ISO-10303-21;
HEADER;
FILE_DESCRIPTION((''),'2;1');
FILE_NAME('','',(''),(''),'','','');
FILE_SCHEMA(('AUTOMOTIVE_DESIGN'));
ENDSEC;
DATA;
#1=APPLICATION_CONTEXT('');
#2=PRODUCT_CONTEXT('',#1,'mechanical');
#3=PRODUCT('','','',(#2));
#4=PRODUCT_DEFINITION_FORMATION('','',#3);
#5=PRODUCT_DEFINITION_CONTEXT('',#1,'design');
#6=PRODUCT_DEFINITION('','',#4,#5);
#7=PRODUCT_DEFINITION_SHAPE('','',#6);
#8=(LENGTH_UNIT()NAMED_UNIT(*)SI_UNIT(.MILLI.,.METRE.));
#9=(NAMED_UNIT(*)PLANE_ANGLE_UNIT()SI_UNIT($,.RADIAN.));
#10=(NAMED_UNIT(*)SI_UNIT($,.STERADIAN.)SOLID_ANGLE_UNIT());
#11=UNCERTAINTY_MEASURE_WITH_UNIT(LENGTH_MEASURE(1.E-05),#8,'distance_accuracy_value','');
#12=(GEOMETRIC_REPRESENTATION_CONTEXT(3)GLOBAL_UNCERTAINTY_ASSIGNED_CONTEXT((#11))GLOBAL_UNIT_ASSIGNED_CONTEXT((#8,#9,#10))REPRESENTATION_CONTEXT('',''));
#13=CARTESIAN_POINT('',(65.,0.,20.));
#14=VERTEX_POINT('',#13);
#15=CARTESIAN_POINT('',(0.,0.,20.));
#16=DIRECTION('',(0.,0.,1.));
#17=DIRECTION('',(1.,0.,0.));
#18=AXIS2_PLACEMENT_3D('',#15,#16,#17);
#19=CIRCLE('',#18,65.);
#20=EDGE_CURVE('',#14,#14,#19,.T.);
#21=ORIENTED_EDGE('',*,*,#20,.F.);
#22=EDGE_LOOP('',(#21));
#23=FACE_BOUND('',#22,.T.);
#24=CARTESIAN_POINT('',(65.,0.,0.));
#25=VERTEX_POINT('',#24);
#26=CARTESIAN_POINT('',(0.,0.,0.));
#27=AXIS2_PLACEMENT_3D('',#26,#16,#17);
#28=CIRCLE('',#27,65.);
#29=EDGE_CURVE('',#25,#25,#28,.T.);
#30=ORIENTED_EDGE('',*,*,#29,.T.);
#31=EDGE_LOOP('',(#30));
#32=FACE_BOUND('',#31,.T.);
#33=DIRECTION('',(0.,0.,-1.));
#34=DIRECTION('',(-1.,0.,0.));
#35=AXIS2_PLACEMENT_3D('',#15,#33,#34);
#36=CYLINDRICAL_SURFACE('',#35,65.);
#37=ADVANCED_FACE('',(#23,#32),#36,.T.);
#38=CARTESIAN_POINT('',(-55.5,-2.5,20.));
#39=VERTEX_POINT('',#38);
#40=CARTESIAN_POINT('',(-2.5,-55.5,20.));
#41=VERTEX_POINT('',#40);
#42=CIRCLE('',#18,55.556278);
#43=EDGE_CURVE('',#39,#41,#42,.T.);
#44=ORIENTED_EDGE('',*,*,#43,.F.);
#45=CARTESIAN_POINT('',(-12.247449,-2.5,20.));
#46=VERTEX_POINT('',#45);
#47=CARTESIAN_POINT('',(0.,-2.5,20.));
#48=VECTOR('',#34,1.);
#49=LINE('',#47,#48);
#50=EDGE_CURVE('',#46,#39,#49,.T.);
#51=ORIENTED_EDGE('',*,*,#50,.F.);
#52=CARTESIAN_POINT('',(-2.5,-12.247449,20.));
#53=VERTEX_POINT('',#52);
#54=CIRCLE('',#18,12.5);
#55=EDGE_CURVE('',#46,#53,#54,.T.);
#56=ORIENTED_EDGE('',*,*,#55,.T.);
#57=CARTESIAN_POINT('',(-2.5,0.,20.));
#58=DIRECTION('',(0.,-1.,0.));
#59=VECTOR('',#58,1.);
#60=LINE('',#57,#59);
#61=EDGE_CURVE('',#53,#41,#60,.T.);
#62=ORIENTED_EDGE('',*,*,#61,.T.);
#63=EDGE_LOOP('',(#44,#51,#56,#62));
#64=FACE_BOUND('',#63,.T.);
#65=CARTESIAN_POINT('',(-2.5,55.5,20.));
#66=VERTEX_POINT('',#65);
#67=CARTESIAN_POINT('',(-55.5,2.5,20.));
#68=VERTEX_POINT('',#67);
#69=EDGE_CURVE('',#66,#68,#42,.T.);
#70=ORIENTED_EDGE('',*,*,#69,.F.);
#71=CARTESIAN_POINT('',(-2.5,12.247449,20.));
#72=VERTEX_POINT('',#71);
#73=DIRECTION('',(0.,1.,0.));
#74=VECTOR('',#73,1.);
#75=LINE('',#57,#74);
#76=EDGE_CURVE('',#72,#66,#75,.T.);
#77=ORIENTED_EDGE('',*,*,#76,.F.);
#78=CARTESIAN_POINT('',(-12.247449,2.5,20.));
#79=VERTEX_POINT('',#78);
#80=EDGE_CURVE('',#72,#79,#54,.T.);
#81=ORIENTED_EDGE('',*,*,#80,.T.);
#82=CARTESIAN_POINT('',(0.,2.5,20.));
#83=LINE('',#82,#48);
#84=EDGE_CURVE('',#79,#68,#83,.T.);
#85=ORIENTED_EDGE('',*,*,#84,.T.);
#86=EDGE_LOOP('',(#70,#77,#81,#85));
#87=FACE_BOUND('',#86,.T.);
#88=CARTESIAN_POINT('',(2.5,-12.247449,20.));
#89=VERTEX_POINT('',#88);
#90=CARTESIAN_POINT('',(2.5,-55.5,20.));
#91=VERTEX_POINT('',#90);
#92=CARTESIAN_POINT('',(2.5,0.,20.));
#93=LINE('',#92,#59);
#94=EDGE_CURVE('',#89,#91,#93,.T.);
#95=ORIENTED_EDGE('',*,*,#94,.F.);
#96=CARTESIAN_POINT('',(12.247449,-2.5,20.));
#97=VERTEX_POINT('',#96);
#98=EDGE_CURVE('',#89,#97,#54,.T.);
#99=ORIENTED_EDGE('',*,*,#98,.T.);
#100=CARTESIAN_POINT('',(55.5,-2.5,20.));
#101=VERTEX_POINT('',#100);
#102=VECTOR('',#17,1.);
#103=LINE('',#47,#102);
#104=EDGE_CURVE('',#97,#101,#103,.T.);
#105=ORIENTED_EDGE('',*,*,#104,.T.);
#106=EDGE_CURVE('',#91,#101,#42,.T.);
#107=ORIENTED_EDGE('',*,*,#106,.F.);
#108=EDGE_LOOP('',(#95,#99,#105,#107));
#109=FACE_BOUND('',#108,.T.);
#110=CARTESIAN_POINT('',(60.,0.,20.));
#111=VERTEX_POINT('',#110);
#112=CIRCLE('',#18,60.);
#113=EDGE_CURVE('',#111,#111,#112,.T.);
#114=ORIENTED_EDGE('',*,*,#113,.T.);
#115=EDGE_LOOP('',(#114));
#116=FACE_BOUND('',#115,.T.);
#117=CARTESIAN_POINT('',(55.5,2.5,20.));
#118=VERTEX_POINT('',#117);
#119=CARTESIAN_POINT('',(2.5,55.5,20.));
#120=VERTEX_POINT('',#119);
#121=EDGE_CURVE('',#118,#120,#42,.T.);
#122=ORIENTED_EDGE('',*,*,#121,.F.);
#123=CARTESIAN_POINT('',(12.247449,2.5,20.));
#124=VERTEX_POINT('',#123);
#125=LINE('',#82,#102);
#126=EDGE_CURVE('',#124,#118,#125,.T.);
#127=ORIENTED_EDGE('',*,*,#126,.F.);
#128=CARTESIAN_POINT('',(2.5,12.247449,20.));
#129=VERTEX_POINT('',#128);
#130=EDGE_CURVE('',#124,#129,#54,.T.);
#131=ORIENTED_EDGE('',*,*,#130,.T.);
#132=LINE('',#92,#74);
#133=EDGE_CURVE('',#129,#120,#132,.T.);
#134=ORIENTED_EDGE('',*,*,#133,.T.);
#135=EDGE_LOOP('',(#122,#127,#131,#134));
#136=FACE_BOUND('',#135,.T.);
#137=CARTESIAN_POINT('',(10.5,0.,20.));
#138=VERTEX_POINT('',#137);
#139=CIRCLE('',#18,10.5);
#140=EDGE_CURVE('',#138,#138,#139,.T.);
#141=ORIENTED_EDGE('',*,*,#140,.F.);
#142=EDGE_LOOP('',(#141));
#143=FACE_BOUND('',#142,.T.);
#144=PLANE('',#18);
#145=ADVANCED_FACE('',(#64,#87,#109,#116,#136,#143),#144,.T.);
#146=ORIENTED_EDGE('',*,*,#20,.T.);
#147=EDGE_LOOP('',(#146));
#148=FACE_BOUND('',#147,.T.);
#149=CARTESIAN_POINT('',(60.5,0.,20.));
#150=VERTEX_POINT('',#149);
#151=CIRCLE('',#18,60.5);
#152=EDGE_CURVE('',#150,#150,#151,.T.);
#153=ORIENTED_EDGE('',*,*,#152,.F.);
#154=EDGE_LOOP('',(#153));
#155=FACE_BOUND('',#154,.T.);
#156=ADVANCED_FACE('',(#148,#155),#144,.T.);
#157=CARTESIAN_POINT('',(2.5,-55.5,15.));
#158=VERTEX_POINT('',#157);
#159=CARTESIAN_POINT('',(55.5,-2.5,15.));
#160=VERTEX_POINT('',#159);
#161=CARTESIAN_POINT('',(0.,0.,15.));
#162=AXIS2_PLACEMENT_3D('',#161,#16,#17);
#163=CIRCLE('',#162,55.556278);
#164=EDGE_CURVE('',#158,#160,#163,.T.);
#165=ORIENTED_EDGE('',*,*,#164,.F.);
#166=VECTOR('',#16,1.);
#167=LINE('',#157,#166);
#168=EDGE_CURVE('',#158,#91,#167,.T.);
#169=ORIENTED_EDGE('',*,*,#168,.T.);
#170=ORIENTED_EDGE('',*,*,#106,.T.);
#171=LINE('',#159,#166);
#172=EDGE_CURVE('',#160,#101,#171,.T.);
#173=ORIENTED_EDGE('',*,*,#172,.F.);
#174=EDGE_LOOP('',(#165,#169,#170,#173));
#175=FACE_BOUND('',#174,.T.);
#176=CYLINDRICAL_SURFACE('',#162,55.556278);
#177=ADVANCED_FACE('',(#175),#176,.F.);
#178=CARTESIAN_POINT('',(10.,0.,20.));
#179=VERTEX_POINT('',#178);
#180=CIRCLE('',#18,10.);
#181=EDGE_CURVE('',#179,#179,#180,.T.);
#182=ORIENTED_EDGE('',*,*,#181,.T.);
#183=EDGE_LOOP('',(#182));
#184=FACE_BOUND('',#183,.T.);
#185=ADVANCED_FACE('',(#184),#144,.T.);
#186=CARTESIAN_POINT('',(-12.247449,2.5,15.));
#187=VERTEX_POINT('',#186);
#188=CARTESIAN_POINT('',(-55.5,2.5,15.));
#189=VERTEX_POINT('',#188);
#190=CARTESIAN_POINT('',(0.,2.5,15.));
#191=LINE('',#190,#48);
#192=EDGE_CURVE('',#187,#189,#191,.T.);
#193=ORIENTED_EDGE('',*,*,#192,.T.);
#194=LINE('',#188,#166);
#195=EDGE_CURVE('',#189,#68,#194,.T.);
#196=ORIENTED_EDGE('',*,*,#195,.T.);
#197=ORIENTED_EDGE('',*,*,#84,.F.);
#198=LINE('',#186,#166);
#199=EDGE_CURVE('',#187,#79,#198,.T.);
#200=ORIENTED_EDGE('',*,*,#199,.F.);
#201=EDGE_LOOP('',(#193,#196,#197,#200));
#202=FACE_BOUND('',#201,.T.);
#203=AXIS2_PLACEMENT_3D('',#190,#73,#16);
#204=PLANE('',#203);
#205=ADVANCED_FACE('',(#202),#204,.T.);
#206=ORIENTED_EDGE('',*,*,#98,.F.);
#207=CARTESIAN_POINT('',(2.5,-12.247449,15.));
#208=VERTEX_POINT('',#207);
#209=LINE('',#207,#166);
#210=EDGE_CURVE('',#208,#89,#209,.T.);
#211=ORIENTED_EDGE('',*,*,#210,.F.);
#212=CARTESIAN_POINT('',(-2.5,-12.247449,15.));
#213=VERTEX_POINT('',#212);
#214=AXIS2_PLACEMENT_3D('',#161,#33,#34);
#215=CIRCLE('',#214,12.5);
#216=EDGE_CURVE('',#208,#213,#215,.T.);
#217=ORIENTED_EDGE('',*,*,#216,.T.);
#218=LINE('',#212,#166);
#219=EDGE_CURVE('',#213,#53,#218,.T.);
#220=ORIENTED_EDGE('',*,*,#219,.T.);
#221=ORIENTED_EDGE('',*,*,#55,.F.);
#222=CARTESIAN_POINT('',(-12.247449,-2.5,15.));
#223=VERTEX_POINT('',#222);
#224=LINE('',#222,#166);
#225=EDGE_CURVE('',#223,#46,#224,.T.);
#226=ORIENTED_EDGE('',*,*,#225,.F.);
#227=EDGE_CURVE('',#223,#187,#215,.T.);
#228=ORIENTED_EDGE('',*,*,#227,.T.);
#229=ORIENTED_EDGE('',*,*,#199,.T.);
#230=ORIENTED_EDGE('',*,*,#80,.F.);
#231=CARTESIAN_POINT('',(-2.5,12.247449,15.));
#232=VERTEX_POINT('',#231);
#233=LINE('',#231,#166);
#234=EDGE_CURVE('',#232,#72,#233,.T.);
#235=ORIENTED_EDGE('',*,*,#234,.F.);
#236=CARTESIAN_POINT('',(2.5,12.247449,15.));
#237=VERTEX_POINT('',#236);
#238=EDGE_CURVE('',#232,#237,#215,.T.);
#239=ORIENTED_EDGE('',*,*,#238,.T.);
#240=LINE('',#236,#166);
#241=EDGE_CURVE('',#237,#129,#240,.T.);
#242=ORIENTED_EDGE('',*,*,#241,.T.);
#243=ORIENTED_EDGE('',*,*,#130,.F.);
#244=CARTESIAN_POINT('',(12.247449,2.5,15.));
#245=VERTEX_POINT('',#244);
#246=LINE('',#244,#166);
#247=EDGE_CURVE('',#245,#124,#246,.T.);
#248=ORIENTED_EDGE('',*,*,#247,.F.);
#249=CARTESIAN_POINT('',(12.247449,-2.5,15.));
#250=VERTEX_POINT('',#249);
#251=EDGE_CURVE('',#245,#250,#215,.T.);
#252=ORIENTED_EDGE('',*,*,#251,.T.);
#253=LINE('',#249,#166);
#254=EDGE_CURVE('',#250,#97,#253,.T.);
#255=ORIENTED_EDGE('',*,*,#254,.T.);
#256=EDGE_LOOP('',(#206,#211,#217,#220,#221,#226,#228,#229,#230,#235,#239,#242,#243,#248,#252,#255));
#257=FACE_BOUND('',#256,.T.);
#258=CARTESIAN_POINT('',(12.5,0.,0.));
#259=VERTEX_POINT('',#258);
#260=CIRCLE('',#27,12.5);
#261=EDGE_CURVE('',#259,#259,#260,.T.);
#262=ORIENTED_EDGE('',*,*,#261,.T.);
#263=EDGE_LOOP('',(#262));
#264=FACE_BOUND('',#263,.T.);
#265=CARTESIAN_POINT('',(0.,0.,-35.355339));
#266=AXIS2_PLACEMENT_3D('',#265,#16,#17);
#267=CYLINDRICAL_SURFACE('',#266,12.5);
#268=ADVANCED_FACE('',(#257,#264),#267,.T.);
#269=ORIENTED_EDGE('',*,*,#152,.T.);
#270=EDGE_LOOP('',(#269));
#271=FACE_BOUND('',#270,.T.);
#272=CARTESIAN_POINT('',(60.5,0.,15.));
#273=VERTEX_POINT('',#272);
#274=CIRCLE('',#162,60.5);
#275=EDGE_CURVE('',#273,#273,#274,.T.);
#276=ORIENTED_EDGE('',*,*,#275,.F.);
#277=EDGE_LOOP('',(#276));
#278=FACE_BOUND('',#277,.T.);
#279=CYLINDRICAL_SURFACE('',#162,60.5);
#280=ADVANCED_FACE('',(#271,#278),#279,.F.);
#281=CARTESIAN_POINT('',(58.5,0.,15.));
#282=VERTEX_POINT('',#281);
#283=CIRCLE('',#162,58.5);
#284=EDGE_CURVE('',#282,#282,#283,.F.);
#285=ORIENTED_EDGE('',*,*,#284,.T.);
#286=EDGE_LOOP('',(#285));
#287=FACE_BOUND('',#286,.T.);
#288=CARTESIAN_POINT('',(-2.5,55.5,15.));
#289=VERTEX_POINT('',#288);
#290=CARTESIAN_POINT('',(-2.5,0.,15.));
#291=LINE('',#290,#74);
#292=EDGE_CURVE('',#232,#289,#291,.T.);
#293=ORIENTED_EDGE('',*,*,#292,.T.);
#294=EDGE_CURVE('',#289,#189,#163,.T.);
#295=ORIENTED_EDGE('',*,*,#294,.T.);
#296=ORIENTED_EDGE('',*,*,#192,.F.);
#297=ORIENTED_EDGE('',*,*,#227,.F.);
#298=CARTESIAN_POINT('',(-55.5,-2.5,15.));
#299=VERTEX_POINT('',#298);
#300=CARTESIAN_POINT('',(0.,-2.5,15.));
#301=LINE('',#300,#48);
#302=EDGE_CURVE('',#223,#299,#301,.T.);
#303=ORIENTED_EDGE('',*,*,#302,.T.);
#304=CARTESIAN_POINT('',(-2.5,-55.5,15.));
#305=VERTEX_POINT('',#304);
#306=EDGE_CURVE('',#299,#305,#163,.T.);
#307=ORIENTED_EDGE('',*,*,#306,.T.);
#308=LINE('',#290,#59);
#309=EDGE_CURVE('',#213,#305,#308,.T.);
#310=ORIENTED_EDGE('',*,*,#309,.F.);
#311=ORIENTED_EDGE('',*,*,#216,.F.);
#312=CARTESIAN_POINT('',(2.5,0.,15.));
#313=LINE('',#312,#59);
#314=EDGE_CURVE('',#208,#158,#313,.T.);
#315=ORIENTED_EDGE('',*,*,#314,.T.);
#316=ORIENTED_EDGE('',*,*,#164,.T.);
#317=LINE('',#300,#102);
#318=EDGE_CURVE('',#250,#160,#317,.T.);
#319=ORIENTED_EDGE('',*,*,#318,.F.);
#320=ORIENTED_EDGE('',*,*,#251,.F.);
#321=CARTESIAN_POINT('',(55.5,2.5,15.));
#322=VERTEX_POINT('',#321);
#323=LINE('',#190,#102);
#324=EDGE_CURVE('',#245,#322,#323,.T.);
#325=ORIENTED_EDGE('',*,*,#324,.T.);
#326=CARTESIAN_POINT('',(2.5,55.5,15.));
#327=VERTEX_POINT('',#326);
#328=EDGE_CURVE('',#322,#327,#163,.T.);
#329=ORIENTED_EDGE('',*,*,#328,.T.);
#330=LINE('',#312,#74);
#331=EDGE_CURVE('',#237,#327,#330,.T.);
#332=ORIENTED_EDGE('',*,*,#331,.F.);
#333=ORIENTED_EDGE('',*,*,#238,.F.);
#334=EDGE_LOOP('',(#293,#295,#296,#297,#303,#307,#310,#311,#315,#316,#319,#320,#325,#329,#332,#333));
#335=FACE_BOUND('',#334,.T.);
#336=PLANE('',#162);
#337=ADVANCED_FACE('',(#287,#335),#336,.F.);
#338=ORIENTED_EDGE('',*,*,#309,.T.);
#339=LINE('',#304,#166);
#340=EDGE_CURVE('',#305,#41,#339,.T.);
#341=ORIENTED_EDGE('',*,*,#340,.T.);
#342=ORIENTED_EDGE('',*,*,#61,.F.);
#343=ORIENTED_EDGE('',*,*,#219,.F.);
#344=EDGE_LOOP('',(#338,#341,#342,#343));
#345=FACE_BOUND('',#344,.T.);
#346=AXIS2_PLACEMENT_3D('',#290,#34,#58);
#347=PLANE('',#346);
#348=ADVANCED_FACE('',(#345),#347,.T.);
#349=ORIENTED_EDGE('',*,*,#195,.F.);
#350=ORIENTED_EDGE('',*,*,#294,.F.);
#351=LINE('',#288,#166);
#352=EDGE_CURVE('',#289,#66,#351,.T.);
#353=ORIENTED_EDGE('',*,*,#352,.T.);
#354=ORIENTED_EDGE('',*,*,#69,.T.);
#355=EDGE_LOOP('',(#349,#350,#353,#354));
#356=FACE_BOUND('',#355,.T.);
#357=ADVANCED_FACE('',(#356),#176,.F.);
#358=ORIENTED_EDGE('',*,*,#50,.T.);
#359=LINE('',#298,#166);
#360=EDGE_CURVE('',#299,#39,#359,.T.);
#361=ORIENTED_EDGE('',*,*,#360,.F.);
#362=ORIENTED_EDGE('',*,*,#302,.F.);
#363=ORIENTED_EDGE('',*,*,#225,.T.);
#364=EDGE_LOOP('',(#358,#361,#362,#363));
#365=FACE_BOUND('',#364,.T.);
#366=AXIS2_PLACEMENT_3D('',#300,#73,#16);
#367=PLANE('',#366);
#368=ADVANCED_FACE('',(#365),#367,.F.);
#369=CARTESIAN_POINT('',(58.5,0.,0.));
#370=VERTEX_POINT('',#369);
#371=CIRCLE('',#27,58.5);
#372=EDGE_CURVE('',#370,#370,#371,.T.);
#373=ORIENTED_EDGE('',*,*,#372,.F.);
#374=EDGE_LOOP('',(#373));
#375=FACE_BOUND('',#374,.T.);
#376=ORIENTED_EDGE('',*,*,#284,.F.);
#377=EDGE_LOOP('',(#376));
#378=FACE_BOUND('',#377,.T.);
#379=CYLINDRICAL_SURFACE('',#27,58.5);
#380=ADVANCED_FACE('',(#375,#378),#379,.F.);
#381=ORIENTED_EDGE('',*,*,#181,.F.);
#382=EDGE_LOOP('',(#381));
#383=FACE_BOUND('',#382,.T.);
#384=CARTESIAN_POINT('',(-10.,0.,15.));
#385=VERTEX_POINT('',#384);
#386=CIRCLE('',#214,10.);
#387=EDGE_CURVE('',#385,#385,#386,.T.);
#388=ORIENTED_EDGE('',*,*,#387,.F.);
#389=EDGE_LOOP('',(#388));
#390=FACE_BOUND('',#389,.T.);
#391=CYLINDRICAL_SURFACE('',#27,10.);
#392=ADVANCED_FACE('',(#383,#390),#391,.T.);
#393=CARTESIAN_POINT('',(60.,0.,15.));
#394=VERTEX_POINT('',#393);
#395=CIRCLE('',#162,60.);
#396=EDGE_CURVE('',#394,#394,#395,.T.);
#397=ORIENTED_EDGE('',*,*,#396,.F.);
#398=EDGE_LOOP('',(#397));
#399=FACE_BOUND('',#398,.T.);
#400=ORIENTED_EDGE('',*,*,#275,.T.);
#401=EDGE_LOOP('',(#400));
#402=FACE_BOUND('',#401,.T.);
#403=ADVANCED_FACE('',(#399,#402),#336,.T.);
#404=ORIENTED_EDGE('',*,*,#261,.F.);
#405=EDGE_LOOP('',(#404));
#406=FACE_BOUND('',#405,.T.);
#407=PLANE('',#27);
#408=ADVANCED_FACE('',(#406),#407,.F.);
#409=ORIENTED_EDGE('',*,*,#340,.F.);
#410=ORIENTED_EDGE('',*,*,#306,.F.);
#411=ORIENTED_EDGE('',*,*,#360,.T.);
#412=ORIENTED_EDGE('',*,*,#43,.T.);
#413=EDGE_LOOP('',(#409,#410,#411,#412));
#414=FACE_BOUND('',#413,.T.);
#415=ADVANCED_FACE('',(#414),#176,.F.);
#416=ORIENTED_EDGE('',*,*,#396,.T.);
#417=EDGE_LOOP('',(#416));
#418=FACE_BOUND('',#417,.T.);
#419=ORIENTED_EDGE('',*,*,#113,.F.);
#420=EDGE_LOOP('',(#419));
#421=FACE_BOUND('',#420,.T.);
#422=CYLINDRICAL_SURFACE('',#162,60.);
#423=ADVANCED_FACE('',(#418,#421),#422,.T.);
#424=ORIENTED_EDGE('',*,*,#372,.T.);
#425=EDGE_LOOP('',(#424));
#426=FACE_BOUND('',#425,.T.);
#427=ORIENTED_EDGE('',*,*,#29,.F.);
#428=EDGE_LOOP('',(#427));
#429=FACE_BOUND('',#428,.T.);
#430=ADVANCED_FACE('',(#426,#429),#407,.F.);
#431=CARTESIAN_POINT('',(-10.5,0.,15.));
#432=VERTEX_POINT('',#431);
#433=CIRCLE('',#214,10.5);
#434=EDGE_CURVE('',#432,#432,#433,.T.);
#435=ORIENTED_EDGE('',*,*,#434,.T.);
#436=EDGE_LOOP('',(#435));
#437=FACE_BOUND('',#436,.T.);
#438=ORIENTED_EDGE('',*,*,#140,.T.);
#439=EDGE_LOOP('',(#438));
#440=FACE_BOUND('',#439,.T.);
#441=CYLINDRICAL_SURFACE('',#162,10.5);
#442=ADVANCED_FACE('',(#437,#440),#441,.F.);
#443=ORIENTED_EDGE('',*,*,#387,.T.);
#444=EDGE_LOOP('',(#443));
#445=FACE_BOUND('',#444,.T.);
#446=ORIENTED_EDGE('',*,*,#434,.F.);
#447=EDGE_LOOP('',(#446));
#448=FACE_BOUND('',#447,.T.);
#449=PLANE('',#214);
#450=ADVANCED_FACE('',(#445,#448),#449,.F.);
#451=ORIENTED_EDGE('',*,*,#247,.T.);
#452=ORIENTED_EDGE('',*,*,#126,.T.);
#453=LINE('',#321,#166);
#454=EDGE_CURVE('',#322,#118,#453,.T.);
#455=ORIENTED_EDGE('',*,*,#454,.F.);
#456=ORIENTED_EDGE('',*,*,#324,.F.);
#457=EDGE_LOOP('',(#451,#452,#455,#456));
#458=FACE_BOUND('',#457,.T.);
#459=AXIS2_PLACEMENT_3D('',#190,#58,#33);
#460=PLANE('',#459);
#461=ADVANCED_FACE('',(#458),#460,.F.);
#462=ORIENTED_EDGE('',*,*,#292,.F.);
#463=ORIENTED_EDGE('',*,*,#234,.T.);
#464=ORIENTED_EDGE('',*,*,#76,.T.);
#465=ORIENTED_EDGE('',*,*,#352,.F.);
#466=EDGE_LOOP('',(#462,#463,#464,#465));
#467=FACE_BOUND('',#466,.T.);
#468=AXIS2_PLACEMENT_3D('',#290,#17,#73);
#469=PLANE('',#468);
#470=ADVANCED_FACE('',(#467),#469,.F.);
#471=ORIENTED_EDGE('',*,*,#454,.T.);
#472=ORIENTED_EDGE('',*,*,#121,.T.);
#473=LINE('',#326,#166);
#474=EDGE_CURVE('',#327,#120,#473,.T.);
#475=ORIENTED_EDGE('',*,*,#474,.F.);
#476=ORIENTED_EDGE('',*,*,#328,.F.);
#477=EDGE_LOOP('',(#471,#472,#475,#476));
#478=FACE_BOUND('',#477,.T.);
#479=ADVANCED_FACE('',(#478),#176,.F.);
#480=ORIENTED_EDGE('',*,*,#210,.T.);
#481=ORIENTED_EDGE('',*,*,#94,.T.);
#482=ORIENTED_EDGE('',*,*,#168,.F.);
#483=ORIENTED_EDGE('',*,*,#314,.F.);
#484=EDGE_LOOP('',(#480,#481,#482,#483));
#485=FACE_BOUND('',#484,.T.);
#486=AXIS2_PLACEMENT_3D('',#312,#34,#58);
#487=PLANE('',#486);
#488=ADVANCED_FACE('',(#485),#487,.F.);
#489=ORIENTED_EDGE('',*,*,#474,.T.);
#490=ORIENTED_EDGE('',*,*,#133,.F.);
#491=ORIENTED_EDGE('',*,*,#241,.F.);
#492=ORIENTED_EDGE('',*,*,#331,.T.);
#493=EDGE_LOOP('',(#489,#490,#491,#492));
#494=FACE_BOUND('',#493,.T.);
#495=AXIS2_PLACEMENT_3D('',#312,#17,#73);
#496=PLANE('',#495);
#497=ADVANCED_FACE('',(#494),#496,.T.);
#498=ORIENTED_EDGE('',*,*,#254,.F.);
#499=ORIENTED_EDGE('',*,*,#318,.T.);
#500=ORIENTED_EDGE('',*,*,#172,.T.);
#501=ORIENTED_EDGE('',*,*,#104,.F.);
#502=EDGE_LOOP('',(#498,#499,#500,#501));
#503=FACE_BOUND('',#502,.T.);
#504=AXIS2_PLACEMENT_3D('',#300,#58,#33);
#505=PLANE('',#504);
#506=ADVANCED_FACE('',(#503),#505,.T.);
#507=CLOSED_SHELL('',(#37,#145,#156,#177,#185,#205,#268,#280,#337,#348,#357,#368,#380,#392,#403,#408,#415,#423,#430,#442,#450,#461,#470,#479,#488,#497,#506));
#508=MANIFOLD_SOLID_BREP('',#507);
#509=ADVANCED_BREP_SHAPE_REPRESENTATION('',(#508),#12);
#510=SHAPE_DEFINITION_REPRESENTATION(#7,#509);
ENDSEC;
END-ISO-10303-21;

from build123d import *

# Parameters (mm, degrees)
SKETCH2_R           = 65
BOSS_EXTRUDE1_DEPTH = 20
SKETCH3_R           = 58.5
CUT_EXTRUDE1_DEPTH  = 20
SKETCH4_R           = 60.5
SKETCH4_R_2         = 60
CUT_EXTRUDE3_DEPTH  = 5
SKETCH5_R           = 10
BOSS_EXTRUDE2_DEPTH = 20
SKETCH6_R           = 58.5
SKETCH6_R_2         = 10.5
BOSS_EXTRUDE3_DEPTH = 5
CUT_EXTRUDE4_DEPTH  = 5
SKETCH9_R           = 12.5
SKETCH9_R_2         = 10
BOSS_EXTRUDE4_DEPTH = 15


with BuildPart() as part:
    # Sketch2 → Boss-Extrude1 (new body)
    with BuildSketch(Plane.XY):
        Circle(SKETCH2_R)
    extrude(amount=BOSS_EXTRUDE1_DEPTH)

    # Sketch3 → Cut-Extrude1 (cut)
    with BuildSketch(Plane.XY.offset(20)):
        Circle(SKETCH3_R)
    extrude(amount=-CUT_EXTRUDE1_DEPTH, mode=Mode.SUBTRACT)

    # Sketch4 → Cut-Extrude3 (cut)
    with BuildSketch(Plane.XY.offset(20)):
        Circle(SKETCH4_R)
        Circle(SKETCH4_R_2, mode=Mode.SUBTRACT)
    extrude(amount=-CUT_EXTRUDE3_DEPTH, mode=Mode.SUBTRACT)

    # Sketch6 → Boss-Extrude3 (add)
    with BuildSketch(Plane.XY.offset(20)):
        Circle(SKETCH6_R)
        Circle(SKETCH6_R_2, mode=Mode.SUBTRACT)
    extrude(amount=-BOSS_EXTRUDE3_DEPTH)

    # Sketch8 → Cut-Extrude4 (cut)
    with BuildSketch(Plane.XY.offset(20)):
        with BuildLine():
            Line((-2.5, 12.247448714), (-2.5, 55.5))
            ThreePointArc((-2.5, 55.5), (-39.284220751, 39.284220751), (-55.5, 2.5))
            Line((-55.5, 2.5), (-12.247448714, 2.5))
            ThreePointArc((-12.247448714, 2.5), (-8.838834765, 8.838834765), (-2.5, 12.247448714))
        make_face()
        with BuildLine():
            Line((2.5, -12.247448714), (2.5, -55.5))
            ThreePointArc((2.5, -55.5), (39.284220751, -39.284220751), (55.5, -2.5))
            Line((55.5, -2.5), (12.247448714, -2.5))
            ThreePointArc((12.247448714, -2.5), (8.838834765, -8.838834765), (2.5, -12.247448714))
        make_face()
        with BuildLine():
            Line((12.247448714, 2.5), (55.5, 2.5))
            ThreePointArc((55.5, 2.5), (39.284220751, 39.284220751), (2.5, 55.5))
            Line((2.5, 55.5), (2.5, 12.247448714))
            ThreePointArc((2.5, 12.247448714), (8.838834765, 8.838834765), (12.247448714, 2.5))
        make_face()
        with BuildLine():
            ThreePointArc((-12.247448714, -2.5), (-8.838834765, -8.838834765), (-2.5, -12.247448714))
            Line((-2.5, -12.247448714), (-2.5, -55.5))
            ThreePointArc((-2.5, -55.5), (-39.284220751, -39.284220751), (-55.5, -2.5))
            Line((-55.5, -2.5), (-12.247448714, -2.5))
        make_face()
    extrude(amount=-CUT_EXTRUDE4_DEPTH, mode=Mode.SUBTRACT)



with BuildPart() as body_2:
    # Sketch5 → Boss-Extrude2 (new body)
    with BuildSketch(Plane.XY.offset(20)):
        Circle(SKETCH5_R)
    extrude(amount=-BOSS_EXTRUDE2_DEPTH)


with BuildPart() as part_1:
    add(part.part)

    add(body_2.part)  # Boss-Extrude4 merges body 2
    # Sketch9 → Boss-Extrude4 (add)
    with BuildSketch(Plane(origin=(0, 0, 15), x_dir=(-1, 0, 0), z_dir=(0, 0, -1))):
        Circle(SKETCH9_R)
        Circle(SKETCH9_R_2, mode=Mode.SUBTRACT)
    extrude(amount=BOSS_EXTRUDE4_DEPTH)


solid = part_1.part
